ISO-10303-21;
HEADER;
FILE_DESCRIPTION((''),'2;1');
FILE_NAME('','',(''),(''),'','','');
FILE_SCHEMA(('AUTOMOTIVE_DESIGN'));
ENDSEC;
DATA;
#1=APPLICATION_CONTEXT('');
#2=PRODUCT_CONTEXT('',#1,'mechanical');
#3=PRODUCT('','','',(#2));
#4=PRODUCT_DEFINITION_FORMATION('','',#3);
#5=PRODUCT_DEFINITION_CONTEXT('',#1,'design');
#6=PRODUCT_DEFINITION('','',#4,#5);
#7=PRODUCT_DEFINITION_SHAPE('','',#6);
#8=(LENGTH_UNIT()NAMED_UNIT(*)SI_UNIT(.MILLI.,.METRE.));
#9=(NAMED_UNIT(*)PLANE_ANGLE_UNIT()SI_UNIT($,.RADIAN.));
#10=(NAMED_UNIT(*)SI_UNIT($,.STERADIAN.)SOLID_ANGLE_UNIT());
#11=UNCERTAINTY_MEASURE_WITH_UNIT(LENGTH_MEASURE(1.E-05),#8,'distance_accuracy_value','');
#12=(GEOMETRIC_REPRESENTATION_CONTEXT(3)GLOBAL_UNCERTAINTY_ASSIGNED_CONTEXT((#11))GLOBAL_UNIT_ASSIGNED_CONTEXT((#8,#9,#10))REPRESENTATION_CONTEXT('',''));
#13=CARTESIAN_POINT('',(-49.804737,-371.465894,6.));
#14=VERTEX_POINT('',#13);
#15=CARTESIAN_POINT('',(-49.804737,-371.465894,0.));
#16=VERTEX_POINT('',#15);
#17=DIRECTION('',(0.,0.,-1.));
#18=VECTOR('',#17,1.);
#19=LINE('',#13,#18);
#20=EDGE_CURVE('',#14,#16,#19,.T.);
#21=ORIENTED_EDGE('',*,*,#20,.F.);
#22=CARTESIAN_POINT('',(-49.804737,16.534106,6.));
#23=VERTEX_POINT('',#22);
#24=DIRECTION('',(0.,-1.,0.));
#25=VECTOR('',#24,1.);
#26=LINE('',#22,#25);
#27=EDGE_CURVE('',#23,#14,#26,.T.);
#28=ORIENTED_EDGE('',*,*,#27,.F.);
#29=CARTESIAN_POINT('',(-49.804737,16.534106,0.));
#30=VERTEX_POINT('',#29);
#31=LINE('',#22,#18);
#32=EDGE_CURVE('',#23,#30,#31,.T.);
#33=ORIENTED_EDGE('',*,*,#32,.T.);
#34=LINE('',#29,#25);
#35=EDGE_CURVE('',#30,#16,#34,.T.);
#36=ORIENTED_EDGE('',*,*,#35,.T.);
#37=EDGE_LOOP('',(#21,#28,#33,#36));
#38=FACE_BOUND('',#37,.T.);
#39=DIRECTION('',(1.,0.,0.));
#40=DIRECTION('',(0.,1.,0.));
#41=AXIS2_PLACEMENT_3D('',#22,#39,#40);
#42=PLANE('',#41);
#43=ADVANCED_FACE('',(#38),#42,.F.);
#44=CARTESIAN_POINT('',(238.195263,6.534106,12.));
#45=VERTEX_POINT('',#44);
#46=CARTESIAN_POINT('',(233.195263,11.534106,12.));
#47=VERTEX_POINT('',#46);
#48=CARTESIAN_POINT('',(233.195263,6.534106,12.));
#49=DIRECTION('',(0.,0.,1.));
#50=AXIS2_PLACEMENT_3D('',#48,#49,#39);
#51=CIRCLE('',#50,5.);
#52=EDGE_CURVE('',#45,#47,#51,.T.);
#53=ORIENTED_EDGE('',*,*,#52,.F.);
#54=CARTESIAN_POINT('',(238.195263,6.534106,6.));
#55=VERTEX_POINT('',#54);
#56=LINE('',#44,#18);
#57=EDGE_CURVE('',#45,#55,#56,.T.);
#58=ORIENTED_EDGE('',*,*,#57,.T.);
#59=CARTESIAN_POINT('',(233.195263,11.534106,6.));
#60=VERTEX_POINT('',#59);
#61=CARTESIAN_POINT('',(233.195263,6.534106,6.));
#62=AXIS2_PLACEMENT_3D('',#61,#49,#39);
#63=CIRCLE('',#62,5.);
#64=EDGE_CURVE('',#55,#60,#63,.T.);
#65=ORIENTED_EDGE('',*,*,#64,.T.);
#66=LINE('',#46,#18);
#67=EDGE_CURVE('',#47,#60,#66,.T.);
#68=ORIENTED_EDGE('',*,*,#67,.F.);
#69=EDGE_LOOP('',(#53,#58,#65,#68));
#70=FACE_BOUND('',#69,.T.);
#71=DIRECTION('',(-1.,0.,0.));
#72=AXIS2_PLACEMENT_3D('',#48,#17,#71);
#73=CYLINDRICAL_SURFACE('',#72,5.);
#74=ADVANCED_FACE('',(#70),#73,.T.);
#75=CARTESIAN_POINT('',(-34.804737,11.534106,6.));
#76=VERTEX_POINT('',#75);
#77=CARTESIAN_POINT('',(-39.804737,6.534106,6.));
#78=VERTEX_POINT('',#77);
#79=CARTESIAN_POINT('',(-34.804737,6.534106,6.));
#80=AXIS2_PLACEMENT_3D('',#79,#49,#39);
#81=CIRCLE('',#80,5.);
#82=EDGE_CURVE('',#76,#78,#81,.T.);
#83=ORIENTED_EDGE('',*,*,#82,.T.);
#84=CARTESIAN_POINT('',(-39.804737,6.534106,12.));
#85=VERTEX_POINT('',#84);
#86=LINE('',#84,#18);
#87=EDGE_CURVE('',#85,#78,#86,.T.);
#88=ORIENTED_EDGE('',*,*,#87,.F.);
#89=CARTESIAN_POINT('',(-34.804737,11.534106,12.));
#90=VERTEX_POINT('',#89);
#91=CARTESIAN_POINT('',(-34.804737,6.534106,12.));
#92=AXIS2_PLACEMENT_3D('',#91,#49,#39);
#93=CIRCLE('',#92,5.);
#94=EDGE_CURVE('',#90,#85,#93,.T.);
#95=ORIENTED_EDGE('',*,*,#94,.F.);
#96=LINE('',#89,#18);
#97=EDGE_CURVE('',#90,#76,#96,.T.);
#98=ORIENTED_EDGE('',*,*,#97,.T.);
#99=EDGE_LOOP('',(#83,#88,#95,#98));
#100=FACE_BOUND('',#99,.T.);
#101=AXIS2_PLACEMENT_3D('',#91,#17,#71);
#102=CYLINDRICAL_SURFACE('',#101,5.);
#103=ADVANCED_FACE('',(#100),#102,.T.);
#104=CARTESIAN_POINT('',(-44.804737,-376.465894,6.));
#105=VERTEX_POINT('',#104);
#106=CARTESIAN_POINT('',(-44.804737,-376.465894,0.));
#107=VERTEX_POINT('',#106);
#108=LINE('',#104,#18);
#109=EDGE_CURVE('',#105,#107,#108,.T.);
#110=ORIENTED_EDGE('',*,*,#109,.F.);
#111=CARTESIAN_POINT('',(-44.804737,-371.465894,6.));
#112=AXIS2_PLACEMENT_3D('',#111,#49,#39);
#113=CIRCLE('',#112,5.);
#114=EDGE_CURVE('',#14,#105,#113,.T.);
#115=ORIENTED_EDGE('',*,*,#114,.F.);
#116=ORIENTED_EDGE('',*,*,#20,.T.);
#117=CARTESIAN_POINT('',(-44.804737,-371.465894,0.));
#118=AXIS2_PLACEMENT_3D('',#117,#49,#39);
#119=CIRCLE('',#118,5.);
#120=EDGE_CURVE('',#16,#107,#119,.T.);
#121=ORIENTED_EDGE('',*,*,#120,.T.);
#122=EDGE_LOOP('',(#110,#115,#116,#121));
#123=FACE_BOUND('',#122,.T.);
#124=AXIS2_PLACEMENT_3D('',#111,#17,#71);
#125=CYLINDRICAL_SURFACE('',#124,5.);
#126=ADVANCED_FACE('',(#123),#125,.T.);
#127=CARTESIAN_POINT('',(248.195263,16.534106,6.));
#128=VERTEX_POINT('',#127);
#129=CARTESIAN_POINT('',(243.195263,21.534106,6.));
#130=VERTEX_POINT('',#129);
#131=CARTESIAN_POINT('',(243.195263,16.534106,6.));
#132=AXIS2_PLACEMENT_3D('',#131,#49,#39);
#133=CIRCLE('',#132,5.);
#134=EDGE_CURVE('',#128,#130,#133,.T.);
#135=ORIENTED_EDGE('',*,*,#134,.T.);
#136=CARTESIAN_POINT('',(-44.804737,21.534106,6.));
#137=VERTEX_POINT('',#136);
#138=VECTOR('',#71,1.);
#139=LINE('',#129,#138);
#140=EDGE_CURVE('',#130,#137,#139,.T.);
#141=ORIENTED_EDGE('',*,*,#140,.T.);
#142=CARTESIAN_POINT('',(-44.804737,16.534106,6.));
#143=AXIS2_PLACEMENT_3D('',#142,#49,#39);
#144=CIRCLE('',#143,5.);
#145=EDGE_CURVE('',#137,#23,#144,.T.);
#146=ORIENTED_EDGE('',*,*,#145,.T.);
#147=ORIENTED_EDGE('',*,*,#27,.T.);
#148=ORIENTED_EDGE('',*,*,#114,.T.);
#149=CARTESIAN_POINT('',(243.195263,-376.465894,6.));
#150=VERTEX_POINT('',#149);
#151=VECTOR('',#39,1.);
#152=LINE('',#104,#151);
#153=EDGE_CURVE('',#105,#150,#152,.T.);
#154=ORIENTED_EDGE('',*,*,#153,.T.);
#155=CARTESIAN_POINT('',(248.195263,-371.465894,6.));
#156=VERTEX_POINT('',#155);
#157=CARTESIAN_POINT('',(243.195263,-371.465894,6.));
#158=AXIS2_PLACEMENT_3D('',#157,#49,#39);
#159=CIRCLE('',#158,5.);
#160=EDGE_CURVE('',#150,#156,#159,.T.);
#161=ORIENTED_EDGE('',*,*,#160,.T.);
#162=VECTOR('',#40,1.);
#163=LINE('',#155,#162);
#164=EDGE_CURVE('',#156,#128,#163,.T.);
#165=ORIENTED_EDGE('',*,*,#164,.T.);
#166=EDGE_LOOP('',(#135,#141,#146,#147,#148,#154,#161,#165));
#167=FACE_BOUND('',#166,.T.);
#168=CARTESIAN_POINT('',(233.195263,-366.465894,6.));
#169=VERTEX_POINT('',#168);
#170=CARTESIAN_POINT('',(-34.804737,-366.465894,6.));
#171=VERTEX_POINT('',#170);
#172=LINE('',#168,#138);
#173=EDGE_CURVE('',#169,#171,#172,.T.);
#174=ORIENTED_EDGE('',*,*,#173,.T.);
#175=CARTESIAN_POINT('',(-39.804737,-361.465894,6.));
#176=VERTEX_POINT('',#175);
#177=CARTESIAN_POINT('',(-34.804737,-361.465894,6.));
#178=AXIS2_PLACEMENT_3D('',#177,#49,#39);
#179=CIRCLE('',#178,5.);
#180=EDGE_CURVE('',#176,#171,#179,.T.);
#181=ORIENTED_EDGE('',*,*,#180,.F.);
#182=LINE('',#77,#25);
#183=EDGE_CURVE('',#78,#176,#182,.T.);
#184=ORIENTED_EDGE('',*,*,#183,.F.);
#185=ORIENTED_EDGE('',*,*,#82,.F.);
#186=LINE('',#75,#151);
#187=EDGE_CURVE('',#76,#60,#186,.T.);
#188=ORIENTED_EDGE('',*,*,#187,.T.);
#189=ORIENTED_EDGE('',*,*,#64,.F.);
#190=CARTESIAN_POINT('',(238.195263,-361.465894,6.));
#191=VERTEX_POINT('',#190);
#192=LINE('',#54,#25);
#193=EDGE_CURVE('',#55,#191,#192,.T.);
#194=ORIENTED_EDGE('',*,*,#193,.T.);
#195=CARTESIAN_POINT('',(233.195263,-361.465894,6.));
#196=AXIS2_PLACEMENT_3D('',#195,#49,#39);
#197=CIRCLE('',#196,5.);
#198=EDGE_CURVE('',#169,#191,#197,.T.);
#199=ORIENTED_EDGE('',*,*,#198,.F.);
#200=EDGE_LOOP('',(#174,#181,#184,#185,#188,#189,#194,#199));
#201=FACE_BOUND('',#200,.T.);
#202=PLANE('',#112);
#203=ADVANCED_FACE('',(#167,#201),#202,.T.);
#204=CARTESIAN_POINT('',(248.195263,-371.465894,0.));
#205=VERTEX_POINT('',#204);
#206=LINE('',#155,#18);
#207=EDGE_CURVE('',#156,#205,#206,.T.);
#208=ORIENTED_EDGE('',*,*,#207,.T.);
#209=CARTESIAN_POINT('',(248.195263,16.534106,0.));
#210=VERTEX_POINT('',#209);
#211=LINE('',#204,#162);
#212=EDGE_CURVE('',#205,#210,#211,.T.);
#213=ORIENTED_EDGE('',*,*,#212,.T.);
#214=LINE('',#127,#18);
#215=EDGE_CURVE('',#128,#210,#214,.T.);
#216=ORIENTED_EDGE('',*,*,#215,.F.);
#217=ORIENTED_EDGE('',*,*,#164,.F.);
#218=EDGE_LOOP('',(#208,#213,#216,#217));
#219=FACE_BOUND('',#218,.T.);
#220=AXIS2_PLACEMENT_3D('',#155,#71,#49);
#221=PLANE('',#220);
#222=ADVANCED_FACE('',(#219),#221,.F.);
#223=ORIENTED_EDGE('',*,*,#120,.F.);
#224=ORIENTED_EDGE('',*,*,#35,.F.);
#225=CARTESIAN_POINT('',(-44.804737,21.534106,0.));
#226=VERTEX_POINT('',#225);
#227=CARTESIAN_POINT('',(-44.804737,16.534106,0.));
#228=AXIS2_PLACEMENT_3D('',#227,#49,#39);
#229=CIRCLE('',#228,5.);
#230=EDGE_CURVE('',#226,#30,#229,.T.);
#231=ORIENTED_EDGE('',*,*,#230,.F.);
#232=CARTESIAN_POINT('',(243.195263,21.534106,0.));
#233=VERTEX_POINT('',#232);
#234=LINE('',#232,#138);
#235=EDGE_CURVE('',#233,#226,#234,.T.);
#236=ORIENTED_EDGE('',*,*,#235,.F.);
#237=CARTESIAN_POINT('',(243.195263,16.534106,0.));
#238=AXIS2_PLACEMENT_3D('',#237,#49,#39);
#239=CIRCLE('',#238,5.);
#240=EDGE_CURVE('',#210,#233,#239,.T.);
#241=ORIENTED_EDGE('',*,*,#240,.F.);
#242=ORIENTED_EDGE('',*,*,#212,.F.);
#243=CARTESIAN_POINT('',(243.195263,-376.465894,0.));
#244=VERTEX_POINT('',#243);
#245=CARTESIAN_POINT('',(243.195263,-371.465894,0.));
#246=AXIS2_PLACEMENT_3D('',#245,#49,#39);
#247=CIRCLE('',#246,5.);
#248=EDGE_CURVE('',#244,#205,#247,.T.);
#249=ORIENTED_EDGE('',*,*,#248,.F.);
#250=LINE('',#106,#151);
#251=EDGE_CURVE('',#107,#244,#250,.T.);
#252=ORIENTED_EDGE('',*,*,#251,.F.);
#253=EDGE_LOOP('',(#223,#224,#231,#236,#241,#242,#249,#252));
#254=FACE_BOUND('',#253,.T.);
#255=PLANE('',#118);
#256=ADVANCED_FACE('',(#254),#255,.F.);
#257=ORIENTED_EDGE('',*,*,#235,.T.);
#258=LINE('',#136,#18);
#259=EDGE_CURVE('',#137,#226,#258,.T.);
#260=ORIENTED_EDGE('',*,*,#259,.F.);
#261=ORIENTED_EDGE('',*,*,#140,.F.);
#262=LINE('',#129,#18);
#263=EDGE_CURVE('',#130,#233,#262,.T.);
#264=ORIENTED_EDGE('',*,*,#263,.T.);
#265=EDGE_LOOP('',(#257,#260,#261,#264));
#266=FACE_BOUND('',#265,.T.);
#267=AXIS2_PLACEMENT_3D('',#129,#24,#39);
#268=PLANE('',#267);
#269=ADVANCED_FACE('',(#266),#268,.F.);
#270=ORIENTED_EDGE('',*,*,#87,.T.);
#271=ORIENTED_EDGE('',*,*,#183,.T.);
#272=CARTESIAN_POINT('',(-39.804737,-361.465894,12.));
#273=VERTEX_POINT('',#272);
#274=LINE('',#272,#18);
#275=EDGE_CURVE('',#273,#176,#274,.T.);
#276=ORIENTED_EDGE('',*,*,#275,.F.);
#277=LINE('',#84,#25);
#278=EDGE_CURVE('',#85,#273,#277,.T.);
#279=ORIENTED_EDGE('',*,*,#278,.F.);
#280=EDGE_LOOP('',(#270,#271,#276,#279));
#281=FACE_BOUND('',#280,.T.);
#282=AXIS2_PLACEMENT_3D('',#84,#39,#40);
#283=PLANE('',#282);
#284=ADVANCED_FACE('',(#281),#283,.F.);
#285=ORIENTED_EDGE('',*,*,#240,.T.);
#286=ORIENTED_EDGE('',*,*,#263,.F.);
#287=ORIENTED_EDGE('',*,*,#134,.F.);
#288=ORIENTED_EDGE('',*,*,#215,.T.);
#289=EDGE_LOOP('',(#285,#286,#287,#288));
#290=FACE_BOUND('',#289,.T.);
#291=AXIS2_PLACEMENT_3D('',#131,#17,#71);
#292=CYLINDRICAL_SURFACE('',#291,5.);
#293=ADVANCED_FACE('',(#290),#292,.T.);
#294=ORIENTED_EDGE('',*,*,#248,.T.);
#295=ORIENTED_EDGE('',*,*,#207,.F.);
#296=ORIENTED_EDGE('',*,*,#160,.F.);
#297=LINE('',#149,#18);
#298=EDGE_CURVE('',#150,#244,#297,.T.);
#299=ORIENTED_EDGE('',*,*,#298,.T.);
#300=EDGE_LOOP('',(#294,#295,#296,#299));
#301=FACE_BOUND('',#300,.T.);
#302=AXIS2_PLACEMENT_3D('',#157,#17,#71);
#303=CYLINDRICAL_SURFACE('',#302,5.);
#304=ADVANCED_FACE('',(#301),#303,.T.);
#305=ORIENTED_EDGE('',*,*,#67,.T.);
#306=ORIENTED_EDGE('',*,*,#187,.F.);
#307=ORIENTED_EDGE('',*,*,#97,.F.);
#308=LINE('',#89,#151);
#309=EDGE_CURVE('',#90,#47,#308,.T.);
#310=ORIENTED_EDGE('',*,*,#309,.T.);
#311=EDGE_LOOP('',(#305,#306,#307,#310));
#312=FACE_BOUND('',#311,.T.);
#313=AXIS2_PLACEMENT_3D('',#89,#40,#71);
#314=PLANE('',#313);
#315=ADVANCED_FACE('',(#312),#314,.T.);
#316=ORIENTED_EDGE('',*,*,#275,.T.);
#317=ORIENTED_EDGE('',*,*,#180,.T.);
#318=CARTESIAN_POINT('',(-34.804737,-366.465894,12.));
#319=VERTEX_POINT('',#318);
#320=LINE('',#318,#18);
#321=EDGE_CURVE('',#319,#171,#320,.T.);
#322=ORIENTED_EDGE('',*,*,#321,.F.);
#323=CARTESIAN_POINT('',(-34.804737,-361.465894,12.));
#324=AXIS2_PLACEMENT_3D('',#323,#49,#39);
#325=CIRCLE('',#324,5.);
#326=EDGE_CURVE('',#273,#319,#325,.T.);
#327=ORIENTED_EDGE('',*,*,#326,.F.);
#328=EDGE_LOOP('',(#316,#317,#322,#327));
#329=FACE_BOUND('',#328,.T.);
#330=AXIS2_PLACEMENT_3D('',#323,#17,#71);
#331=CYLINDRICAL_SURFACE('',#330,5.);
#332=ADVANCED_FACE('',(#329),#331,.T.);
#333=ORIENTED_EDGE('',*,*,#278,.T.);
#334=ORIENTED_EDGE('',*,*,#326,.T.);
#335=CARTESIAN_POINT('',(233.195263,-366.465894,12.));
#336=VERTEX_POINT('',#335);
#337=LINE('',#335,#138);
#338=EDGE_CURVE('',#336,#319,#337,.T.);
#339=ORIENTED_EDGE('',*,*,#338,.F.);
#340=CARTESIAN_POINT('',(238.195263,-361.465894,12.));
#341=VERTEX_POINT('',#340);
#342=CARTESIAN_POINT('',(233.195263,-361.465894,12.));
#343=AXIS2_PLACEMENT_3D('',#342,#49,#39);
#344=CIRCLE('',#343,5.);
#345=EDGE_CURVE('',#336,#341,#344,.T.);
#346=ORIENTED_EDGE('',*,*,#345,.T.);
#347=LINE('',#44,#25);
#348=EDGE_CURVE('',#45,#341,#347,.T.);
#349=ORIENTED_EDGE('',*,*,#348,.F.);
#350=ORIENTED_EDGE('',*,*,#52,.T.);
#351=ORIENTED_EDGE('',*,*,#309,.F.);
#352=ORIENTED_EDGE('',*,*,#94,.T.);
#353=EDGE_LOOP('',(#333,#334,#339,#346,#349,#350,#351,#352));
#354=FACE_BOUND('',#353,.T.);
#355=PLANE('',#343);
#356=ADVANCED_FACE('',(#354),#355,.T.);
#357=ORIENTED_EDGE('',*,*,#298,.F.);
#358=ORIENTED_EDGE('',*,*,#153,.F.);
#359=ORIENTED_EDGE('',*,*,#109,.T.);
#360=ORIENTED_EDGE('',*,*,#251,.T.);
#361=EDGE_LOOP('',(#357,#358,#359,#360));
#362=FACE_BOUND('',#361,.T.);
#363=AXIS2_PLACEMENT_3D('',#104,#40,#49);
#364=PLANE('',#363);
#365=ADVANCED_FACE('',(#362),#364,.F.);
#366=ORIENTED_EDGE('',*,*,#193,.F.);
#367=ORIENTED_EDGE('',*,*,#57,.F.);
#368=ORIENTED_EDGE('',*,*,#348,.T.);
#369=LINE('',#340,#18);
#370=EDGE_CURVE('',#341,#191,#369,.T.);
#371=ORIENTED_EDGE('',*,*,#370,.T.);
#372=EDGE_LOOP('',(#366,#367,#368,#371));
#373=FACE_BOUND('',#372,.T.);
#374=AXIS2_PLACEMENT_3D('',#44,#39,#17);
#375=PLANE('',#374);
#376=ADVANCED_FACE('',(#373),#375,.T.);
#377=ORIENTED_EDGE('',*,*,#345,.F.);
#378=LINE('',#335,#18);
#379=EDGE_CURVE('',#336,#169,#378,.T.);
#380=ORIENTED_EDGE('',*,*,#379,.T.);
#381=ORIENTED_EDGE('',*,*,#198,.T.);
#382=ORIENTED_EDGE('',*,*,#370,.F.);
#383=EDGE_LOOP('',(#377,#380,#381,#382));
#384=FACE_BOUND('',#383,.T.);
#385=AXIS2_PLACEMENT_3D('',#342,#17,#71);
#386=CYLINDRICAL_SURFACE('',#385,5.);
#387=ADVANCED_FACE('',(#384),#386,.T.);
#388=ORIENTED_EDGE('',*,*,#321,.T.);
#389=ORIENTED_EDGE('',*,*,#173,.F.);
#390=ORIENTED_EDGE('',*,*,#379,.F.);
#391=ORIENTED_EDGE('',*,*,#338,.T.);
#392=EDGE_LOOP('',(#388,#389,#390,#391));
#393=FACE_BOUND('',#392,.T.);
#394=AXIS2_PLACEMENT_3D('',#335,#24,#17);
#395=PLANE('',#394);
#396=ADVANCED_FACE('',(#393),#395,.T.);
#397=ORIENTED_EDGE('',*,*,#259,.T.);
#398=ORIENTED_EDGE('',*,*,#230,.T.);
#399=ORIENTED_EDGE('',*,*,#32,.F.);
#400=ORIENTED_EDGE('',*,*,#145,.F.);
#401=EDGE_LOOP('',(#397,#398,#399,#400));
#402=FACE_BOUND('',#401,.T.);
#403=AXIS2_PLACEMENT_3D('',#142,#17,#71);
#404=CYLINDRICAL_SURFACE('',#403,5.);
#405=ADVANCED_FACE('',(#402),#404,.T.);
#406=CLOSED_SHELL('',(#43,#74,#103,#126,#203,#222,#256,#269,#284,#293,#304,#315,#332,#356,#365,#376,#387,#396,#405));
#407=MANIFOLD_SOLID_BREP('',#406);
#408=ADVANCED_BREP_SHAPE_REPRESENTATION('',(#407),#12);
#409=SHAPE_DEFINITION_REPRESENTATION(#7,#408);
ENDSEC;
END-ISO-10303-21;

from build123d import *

# Parameters (mm, degrees)
BOSS_EXTRUDE1_DEPTH = 6
BOSS_EXTRUDE2_DEPTH = 6


with BuildPart() as part:
    # Sketch1 → Boss-Extrude1 (new body)
    with BuildSketch(Plane.XY):
        with BuildLine():
            Line((-49.804736885, 16.53410644), (-49.804736885, -371.46589356))
            ThreePointArc((-49.804736885, -371.46589356), (-48.340270791, -375.001427466), (-44.804736885, -376.46589356))
            Line((-44.804736885, -376.46589356), (243.195263115, -376.46589356))
            ThreePointArc((243.195263115, -376.46589356), (246.730797021, -375.001427466), (248.195263115, -371.46589356))
            Line((248.195263115, -371.46589356), (248.195263115, 16.53410644))
            ThreePointArc((248.195263115, 16.53410644), (246.730797021, 20.069640346), (243.195263115, 21.53410644))
            Line((243.195263115, 21.53410644), (-44.804736885, 21.53410644))
            ThreePointArc((-44.804736885, 21.53410644), (-48.340270791, 20.069640346), (-49.804736885, 16.53410644))
        make_face()
    extrude(amount=BOSS_EXTRUDE1_DEPTH)

    # Sketch2 → Boss-Extrude2 (add)
    with BuildSketch(Plane.XY.offset(6)):
        with BuildLine():
            Line((-39.804736885, 6.53410644), (-39.804736885, -361.46589356))
            ThreePointArc((-39.804736885, -361.46589356), (-38.340270791, -365.001427466), (-34.804736885, -366.46589356))
            Line((-34.804736885, -366.46589356), (233.195263115, -366.46589356))
            ThreePointArc((233.195263115, -366.46589356), (236.730797021, -365.001427466), (238.195263115, -361.46589356))
            Line((238.195263115, -361.46589356), (238.195263115, 6.53410644))
            ThreePointArc((238.195263115, 6.53410644), (236.730797021, 10.069640346), (233.195263115, 11.53410644))
            Line((233.195263115, 11.53410644), (-34.804736885, 11.53410644))
            ThreePointArc((-34.804736885, 11.53410644), (-38.340270791, 10.069640346), (-39.804736885, 6.53410644))
        make_face()
    extrude(amount=BOSS_EXTRUDE2_DEPTH)


solid = part.part
